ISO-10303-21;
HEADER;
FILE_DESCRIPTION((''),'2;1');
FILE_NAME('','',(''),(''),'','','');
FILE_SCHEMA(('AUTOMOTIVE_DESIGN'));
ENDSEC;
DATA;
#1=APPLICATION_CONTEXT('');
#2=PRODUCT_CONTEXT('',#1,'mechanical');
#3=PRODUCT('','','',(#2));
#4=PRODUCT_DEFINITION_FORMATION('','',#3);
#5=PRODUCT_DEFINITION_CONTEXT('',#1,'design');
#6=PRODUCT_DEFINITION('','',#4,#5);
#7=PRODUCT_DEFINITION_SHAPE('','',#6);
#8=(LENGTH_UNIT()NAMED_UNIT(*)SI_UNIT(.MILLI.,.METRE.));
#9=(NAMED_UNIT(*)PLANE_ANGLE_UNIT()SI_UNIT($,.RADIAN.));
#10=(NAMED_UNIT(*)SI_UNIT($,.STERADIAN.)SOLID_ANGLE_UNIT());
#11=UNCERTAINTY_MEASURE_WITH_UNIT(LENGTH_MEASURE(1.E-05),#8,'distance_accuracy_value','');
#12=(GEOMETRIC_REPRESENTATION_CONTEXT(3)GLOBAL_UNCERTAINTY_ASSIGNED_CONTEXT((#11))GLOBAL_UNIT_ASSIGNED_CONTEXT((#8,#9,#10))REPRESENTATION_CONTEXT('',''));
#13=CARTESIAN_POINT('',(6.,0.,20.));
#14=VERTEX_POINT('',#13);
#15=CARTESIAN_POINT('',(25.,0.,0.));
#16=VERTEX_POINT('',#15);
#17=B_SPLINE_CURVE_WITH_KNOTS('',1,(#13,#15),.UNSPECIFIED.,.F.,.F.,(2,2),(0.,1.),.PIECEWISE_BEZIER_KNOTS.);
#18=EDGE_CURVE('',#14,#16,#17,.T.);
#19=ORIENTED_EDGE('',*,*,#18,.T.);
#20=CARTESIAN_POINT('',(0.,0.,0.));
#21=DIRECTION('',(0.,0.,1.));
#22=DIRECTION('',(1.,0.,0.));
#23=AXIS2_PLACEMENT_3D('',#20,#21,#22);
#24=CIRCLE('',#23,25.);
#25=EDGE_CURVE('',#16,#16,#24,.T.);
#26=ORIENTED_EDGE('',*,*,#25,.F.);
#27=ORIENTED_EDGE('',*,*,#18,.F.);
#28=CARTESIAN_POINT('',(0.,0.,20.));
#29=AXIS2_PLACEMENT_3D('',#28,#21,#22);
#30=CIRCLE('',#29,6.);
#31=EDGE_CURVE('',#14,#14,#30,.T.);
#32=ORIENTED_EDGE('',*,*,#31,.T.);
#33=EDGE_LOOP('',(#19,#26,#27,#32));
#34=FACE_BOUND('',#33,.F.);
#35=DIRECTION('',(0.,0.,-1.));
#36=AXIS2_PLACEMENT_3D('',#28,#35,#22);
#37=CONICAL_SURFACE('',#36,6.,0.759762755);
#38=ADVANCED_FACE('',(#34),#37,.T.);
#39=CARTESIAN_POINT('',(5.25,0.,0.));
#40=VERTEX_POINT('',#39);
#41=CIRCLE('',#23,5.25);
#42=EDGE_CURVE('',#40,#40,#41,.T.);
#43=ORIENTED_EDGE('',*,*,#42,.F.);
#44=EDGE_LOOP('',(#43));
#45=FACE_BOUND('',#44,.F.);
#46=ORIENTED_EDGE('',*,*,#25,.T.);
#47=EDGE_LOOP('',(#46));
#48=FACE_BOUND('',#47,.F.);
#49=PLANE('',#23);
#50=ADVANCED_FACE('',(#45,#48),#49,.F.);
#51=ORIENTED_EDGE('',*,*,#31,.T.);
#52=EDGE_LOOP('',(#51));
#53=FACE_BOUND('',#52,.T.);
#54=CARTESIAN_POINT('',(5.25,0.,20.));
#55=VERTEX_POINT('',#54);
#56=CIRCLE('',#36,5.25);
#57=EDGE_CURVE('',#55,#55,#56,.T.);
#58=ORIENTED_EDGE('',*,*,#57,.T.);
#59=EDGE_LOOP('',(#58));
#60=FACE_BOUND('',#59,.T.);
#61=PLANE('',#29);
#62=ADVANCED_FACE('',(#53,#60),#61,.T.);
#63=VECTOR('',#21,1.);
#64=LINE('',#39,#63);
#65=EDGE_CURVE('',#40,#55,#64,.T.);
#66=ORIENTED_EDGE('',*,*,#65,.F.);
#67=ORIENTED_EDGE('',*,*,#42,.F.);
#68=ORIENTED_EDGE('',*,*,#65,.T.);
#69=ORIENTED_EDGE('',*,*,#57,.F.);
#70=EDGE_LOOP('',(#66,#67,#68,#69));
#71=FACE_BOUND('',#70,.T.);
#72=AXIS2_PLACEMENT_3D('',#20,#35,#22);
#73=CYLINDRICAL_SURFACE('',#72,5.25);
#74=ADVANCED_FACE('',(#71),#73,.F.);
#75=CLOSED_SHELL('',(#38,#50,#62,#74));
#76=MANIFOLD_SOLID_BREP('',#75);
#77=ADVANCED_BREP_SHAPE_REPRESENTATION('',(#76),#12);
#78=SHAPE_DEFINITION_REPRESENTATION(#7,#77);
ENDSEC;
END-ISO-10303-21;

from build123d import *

# Parameters (mm, degrees)
SKETCH_R          = 6
SKETCH001_R       = 25
SKETCH002_R       = 5.25
POCKET_DEPTH      = 0.001
POCKET_DEPTH_BACK = -20.001


with BuildPart() as part:
    # Sketch → AdditiveLoft section 0
    with BuildSketch(Plane.XY.offset(20)):
        Circle(SKETCH_R)
    # Sketch001 → AdditiveLoft section 1
    with BuildSketch(Plane.XY):
        Circle(SKETCH001_R)
    loft()

    # Sketch002 → Pocket (cut, two sides)
    with BuildSketch(Plane.XY) as pocket_sk:
        Circle(SKETCH002_R)
    extrude(amount=-POCKET_DEPTH, mode=Mode.SUBTRACT)
    extrude(pocket_sk.sketch, amount=-POCKET_DEPTH_BACK, mode=Mode.SUBTRACT)


solid = part.part
